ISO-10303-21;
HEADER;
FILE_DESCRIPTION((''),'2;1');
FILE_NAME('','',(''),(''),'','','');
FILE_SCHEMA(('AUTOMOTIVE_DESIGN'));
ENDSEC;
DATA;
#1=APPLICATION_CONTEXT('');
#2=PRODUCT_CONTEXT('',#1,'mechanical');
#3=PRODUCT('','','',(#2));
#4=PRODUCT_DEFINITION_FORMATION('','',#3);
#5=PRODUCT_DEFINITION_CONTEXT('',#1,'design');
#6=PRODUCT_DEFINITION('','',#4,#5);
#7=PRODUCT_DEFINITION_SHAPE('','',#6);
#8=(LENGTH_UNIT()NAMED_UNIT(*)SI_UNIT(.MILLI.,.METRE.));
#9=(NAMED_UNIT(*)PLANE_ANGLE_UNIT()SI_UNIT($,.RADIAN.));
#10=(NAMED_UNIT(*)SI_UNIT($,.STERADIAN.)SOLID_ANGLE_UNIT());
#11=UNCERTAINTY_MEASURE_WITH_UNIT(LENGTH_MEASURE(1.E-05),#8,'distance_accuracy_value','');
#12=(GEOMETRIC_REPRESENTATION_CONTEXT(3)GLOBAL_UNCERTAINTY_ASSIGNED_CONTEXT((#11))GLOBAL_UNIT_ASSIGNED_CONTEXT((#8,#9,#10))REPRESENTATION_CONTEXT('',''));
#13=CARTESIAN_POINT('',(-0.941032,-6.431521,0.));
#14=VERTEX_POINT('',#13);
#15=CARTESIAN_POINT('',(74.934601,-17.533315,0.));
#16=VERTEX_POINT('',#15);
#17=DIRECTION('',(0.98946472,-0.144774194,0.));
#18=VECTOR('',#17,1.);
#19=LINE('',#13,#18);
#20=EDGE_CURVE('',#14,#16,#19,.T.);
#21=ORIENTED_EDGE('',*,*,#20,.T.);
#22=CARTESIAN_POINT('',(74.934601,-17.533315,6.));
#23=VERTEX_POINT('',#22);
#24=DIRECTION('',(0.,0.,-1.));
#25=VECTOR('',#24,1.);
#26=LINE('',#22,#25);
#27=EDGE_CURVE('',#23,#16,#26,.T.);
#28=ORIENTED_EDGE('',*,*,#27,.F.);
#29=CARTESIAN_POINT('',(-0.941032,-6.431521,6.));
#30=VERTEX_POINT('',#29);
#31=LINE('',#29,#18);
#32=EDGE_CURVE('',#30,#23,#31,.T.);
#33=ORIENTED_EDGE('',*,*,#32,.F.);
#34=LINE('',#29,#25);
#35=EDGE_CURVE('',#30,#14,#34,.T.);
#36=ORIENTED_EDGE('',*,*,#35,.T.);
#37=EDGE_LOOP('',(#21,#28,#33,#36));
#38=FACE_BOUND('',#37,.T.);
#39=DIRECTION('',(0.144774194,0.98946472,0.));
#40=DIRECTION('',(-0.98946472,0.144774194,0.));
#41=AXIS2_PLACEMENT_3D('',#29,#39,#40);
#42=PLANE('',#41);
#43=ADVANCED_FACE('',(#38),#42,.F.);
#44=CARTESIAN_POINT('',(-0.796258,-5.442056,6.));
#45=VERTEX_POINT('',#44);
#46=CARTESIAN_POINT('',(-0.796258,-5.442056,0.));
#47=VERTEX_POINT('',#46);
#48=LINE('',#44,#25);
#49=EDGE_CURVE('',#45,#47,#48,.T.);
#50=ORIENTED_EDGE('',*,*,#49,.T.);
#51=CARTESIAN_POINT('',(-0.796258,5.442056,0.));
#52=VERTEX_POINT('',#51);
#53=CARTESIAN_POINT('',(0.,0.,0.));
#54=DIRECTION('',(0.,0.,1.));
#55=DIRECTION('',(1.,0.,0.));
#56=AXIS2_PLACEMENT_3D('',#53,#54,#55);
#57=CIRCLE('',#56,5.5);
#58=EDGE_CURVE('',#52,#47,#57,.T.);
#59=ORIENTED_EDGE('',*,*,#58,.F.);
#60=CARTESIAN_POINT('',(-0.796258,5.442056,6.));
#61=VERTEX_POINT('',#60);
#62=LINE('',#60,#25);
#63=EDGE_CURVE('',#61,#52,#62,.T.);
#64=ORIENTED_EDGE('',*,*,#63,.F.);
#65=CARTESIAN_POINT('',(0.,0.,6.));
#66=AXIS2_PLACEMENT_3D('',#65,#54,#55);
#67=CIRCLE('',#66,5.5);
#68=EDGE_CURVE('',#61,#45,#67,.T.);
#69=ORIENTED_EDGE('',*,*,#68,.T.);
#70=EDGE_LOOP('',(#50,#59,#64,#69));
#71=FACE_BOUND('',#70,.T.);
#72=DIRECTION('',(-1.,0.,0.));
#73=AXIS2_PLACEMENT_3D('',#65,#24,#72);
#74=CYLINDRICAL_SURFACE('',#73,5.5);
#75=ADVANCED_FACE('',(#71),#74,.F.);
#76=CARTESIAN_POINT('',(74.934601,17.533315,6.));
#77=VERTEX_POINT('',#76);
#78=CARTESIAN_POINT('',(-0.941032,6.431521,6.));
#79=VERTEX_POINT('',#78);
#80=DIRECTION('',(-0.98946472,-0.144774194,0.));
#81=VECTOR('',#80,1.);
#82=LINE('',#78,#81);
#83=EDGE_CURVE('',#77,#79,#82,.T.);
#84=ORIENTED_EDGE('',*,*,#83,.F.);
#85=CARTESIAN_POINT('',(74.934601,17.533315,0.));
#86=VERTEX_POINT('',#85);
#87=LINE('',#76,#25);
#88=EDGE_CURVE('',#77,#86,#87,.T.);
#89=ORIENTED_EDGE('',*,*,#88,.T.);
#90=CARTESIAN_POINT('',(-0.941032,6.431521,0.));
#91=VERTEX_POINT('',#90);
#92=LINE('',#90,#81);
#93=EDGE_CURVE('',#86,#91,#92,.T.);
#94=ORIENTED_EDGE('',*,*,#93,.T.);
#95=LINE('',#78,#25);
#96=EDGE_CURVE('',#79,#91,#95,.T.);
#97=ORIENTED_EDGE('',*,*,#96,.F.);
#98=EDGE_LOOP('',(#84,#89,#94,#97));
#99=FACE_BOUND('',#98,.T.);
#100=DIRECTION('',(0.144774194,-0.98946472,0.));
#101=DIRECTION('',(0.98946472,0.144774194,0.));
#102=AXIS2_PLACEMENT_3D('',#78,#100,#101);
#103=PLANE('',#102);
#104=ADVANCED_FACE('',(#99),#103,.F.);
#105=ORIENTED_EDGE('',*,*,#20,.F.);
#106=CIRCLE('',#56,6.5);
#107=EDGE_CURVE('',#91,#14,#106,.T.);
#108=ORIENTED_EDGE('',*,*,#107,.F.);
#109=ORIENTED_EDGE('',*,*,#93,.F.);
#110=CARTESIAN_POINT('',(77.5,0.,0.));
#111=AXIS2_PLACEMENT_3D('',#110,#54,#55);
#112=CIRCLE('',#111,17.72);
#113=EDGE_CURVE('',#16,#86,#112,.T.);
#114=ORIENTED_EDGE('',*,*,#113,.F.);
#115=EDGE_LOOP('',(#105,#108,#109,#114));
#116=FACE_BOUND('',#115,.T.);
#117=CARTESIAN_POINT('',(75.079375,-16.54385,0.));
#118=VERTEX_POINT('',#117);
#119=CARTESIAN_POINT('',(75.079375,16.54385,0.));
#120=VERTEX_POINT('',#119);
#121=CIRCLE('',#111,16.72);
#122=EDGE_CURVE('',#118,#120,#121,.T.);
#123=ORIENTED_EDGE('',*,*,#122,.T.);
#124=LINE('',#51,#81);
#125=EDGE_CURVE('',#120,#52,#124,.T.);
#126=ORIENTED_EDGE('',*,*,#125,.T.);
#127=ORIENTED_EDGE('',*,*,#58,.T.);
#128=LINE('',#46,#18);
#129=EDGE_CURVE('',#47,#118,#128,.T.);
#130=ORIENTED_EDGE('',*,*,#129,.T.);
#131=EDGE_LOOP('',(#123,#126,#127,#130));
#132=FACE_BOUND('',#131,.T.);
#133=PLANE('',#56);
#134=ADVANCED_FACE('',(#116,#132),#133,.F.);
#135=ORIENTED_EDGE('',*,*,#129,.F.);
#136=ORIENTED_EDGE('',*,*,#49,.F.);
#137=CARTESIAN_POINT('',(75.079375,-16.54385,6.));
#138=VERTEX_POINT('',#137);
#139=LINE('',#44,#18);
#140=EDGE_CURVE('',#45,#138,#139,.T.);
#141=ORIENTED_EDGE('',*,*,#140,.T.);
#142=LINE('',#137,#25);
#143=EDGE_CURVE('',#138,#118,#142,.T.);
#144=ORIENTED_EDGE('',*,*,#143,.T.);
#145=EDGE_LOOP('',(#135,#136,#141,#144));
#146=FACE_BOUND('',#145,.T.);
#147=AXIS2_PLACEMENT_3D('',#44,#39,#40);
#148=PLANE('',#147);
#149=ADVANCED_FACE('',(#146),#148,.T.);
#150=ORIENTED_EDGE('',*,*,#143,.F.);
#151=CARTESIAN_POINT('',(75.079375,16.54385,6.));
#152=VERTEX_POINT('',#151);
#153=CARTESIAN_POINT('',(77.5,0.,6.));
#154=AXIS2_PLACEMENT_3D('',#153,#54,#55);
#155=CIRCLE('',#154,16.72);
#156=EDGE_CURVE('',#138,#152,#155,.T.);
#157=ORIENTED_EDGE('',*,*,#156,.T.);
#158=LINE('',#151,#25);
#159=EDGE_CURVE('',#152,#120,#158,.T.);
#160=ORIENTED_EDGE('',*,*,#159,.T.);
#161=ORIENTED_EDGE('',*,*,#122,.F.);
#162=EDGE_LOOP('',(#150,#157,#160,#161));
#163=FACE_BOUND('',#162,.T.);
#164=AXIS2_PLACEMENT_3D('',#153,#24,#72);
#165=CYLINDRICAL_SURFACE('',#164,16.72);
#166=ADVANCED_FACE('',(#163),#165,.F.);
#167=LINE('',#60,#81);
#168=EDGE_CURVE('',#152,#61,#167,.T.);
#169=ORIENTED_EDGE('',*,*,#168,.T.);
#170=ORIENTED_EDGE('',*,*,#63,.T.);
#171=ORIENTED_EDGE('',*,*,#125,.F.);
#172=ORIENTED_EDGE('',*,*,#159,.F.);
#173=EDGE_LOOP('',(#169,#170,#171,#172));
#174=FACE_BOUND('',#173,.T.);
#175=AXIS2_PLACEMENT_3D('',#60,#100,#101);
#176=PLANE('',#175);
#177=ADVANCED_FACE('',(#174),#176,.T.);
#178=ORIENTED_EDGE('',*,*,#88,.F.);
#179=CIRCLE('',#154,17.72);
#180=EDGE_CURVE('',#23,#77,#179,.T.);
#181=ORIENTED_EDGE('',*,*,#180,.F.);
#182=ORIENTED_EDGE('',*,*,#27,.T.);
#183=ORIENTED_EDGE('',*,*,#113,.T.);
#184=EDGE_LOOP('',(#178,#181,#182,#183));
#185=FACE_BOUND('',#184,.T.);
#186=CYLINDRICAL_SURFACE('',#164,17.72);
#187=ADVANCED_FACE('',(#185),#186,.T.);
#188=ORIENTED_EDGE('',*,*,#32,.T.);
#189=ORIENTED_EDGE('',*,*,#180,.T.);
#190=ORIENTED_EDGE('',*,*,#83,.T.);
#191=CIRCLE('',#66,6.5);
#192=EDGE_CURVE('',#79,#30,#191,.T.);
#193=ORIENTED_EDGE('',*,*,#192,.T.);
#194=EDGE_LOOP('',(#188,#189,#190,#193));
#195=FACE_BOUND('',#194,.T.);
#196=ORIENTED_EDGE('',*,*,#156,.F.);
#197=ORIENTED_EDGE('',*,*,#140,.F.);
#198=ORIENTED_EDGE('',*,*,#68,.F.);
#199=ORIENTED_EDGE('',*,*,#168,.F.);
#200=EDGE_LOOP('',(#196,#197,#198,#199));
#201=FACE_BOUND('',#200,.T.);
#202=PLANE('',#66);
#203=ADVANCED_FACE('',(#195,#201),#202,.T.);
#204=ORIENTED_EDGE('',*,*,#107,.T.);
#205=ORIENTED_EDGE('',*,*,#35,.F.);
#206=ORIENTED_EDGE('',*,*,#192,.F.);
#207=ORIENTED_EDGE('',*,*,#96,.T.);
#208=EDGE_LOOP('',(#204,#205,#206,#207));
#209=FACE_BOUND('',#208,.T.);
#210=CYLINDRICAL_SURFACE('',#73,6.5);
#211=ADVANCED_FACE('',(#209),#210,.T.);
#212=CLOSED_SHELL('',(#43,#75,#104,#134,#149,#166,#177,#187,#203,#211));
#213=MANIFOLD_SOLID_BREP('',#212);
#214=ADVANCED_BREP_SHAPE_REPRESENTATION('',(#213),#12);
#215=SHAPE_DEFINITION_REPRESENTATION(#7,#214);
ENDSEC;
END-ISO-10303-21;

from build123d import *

# Parameters (mm, degrees)
SALIENTE_EXTRUIR1_DEPTH = 6


with BuildPart() as part:
    # Croquis1 → Saliente-Extruir1 (new body)
    with BuildSketch(Plane.XY):
        with BuildLine():
            Line((-0.941032258, 6.431520682), (74.93460129, 17.533314845))
            ThreePointArc((74.93460129, 17.533314845), (95.22, 0), (74.93460129, -17.533314845))
            Line((74.93460129, -17.533314845), (-0.941032258, -6.431520682))
            ThreePointArc((-0.941032258, -6.431520682), (-6.5, 0), (-0.941032258, 6.431520682))
        make_face()
        with BuildLine():
            Line((-0.796258065, 5.442055962), (75.079375484, 16.543850125))
            ThreePointArc((75.079375484, 16.543850125), (94.22, 0), (75.079375484, -16.543850125))
            Line((75.079375484, -16.543850125), (-0.796258065, -5.442055962))
            ThreePointArc((-0.796258065, -5.442055962), (-5.5, 0), (-0.796258065, 5.442055962))
        make_face(mode=Mode.SUBTRACT)
    extrude(amount=SALIENTE_EXTRUIR1_DEPTH)


solid = part.part
